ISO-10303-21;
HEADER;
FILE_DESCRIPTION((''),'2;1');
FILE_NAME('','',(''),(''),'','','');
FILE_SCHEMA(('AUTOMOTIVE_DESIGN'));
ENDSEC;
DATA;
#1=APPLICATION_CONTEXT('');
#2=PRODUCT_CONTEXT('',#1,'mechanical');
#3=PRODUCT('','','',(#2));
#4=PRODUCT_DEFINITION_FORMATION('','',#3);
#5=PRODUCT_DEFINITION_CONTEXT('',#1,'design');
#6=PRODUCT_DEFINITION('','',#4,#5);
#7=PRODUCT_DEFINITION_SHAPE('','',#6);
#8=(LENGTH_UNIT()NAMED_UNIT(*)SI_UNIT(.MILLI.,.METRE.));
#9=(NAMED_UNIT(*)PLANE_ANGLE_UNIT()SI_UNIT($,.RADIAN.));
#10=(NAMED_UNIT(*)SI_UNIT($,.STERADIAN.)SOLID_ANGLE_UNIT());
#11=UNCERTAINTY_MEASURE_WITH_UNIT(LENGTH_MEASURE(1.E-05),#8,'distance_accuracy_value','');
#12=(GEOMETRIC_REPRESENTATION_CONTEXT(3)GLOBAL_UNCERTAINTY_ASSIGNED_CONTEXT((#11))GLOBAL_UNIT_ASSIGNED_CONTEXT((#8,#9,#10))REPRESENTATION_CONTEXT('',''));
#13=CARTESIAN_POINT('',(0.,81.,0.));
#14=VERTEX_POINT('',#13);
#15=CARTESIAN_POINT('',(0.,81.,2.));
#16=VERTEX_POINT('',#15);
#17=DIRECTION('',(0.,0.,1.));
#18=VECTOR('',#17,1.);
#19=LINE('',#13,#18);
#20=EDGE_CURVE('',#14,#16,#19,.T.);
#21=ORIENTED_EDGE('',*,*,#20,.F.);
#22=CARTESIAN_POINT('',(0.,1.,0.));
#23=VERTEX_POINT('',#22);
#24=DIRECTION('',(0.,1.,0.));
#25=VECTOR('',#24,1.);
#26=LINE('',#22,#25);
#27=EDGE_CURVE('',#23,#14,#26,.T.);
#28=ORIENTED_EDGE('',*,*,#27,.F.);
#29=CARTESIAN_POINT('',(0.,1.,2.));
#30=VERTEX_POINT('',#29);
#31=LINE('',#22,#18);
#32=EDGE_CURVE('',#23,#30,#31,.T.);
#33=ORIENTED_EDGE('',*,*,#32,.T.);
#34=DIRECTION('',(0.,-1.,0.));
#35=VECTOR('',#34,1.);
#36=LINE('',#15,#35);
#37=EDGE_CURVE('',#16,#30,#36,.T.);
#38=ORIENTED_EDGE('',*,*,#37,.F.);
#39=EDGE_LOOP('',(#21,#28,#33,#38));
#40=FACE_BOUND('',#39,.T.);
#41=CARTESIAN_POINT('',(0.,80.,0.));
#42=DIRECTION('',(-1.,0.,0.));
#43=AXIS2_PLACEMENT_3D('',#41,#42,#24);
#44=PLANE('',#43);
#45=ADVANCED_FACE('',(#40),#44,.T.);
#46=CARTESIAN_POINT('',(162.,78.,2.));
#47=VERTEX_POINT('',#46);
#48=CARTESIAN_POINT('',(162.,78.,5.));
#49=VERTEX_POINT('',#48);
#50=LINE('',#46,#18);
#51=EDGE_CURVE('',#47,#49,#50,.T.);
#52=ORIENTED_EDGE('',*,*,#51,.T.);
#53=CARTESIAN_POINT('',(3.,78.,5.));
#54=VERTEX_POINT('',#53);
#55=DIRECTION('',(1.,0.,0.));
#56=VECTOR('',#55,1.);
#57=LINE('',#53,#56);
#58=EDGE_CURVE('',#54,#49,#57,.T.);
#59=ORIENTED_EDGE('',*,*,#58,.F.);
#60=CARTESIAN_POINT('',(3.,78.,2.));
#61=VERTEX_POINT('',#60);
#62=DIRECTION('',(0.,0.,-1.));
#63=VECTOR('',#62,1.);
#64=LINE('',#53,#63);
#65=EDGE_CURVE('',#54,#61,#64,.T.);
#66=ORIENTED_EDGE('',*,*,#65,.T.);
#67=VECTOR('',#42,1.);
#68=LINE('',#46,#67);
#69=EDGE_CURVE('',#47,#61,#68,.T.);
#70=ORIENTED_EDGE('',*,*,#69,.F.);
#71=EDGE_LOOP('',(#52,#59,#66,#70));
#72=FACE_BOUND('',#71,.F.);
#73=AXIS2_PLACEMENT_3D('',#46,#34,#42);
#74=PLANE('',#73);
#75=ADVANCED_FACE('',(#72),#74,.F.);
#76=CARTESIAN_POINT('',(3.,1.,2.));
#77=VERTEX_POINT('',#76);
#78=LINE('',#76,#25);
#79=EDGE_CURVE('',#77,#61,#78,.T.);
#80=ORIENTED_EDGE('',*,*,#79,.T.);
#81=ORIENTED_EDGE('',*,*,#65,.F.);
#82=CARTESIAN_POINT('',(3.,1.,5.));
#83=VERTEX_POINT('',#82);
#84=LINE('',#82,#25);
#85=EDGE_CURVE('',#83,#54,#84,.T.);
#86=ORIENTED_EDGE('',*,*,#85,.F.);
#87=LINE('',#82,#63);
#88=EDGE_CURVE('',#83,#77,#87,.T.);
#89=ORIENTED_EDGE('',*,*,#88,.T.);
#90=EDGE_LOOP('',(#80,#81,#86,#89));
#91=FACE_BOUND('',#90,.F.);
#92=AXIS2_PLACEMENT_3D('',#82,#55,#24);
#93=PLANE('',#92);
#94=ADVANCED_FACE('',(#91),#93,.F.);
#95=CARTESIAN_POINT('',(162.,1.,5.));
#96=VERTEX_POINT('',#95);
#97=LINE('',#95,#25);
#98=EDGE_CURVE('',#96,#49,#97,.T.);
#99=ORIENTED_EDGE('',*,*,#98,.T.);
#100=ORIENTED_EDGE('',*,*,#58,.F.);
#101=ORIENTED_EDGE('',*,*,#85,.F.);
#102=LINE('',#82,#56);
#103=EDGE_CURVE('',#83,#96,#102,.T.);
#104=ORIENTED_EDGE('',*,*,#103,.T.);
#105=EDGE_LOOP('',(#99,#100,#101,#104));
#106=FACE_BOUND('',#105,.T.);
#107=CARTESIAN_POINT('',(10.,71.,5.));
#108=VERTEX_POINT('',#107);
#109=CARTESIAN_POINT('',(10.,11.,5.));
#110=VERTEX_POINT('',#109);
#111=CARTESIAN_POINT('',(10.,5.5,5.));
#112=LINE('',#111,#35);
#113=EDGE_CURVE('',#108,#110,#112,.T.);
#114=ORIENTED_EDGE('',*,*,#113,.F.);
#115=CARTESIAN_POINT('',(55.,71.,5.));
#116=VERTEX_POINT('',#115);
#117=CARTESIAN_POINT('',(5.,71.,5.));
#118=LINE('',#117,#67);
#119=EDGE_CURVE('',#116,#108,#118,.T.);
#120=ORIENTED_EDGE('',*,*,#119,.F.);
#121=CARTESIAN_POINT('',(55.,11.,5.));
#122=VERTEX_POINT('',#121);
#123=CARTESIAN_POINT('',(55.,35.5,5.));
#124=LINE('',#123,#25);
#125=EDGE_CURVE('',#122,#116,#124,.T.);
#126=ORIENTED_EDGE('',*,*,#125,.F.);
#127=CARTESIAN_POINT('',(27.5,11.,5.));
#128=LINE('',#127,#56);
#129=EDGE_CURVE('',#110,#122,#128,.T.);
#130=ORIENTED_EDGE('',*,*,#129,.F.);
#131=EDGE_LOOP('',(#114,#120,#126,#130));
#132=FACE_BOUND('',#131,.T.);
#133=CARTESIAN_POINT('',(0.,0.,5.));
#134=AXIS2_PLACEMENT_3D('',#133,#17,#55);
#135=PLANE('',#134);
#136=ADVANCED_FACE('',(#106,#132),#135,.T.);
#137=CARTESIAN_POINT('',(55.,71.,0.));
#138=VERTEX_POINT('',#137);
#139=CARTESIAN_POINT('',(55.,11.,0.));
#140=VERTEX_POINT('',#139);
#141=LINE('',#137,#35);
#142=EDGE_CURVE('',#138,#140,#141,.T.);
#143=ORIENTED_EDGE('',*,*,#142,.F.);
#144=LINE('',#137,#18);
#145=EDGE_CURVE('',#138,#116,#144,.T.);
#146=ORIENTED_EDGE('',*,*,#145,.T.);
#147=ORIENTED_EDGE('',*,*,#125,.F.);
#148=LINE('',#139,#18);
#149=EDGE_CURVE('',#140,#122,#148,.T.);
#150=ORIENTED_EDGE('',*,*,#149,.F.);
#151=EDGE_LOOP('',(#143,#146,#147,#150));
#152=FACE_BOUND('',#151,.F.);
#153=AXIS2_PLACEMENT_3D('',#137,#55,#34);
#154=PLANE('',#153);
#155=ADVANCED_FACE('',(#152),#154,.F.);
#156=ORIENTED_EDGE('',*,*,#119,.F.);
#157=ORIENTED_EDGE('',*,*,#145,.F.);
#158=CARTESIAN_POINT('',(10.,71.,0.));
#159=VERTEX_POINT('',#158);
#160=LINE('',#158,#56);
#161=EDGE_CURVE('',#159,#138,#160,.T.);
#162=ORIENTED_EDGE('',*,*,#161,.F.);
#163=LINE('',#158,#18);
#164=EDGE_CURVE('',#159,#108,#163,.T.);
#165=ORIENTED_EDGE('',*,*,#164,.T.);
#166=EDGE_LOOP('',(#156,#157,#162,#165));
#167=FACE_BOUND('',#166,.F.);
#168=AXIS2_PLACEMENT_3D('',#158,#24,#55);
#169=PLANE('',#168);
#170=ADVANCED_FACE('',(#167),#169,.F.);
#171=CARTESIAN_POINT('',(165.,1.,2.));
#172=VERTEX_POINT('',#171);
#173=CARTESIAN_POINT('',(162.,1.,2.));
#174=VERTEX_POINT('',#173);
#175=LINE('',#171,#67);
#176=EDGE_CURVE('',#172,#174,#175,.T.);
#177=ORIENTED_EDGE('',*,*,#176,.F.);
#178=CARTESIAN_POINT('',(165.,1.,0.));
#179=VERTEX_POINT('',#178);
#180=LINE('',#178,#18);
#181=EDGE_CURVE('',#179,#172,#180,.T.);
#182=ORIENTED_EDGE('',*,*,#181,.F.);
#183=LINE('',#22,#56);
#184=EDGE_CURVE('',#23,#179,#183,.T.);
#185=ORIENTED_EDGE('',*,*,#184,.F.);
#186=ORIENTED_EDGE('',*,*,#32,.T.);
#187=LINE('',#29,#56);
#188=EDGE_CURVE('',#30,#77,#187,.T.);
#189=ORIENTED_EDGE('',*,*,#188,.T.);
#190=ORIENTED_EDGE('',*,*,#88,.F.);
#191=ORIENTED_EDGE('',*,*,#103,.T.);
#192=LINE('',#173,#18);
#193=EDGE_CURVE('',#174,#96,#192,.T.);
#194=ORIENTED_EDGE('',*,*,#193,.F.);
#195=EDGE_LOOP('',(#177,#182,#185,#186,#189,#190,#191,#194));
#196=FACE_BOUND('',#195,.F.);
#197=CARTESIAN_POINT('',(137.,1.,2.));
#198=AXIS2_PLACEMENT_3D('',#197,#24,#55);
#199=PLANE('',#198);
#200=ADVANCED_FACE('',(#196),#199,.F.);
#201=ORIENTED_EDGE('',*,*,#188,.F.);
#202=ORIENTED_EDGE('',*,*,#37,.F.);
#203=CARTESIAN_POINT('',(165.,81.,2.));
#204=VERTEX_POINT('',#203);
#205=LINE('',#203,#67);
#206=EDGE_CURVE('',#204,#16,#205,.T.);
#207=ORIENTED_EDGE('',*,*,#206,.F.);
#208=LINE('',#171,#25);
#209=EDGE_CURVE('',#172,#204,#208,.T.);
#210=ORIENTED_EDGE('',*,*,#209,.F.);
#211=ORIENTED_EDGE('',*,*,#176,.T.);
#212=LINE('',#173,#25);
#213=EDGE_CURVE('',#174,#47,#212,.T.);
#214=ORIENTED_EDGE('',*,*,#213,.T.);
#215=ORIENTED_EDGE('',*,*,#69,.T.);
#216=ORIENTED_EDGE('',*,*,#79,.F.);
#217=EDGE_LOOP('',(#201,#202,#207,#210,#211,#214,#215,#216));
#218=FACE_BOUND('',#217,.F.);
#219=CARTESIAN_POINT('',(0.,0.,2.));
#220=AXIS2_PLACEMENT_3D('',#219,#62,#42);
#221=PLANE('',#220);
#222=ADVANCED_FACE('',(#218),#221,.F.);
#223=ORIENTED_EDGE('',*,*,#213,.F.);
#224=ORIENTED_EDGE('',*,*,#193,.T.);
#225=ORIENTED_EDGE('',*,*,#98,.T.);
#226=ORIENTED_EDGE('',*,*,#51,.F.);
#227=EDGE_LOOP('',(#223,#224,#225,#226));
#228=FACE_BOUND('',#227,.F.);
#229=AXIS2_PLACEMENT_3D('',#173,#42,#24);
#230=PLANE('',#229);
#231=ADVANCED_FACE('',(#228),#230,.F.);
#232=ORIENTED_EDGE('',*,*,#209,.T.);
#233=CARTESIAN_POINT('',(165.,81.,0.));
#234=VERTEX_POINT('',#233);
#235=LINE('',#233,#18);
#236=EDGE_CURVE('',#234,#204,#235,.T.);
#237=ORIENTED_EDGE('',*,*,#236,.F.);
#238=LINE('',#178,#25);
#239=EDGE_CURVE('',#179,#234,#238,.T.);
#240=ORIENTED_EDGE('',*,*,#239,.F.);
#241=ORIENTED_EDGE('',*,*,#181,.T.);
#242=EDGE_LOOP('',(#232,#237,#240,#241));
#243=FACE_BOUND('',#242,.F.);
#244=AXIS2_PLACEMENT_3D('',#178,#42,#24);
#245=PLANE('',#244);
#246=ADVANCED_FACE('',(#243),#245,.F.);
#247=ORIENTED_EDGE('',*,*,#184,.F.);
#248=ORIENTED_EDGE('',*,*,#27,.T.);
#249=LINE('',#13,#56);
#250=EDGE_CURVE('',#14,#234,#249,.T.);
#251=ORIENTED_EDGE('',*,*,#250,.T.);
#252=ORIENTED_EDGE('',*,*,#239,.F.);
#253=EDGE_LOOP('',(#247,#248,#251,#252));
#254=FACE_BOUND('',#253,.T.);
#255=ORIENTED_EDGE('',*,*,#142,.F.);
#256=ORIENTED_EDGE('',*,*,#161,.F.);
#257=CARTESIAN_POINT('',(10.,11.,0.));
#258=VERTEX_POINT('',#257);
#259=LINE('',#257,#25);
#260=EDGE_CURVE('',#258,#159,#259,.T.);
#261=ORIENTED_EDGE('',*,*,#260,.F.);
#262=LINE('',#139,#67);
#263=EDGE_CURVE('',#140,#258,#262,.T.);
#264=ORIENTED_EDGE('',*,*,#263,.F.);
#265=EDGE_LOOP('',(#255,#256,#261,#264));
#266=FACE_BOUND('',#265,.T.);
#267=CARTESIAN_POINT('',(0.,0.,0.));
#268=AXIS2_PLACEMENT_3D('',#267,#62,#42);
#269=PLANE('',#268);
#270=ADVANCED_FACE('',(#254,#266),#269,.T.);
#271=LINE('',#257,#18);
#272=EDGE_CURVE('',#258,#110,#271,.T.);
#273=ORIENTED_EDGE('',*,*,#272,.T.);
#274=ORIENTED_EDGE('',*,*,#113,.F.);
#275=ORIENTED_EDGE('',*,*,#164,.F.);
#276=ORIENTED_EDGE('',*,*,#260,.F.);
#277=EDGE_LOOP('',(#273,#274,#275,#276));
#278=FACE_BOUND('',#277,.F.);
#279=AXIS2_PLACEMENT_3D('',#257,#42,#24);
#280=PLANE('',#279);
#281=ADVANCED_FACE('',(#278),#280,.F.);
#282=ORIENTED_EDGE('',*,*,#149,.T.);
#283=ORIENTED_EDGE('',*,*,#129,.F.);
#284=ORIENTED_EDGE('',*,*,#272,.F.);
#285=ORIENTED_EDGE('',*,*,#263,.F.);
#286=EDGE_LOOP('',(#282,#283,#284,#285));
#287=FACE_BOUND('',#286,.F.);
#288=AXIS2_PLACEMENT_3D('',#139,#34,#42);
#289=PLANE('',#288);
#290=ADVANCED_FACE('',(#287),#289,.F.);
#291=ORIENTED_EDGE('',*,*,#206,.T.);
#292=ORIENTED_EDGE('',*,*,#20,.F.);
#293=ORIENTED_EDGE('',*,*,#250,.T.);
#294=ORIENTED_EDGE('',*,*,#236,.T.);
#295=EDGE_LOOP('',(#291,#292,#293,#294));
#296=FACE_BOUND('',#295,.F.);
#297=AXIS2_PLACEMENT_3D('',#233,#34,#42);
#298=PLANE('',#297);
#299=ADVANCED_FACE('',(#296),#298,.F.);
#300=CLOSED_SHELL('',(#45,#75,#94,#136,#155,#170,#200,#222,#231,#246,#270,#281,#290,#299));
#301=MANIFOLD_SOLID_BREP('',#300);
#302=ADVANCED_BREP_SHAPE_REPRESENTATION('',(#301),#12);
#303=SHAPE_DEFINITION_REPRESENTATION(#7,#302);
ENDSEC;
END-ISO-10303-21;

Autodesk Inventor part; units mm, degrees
ref_plane "YZ Plane" through (0, 0, 0) normal (1, 0, 0) x (0, 1, 0)
ref_plane "XZ Plane" through (0, 0, 0) normal (0, 1, 0) x (-1, 0, 0)
ref_plane "XY Plane" through (0, 0, 0) normal (0, 0, 1) x (1, 0, 0)
sketch "Sketch1" plane through (0, 0, 0) normal (0, 0, 1) x (1, 0, 0)
  line L0 (0, 0) -> (140, 0)
  line L1 (140, 0) -> (140, 80)
  line L2 (140, 80) -> (0, 80)
  line L3 (0, 80) -> (0, 0)
  dimension "d0" = 140
  dimension "d1" = 80
extrude "Extrusion1" add sketch "Sketch1" along normal blind 2
sketch "Sketch2" plane through (0, 0, 2) normal (0, 0, 1) x (1, 0, 0)
  line L0 (0, 80) -> (2, 80)
  line L1 (2, 80) -> (2, 78)
  line L2 (2, 78) -> (0, 78)
  line L3 (0, 78) -> (0, 80)
  line L4 (2, 78) -> (138, 78)
  line L5 (138, 78) -> (138, 2)
  line L6 (138, 2) -> (2, 2)
  line L7 (2, 2) -> (2, 78)
  dimension "d4" = 2
  dimension "d5" = 2
  dimension "d6" = 136
  dimension "d7" = 76
extrude "Extrusion2" add sketch "Sketch2" along normal blind 3 contours L4 L5 L6 L7
sketch "Sketch3" plane through (0, 0, 2) normal (0, 0, 1) x (1, 0, 0)
  line L0 (0, 0) -> (140, 0) projected
  line L1 (2, 2) -> (138, 2)
  line L2 (138, 2) -> (138, 0)
  line L3 (138, 0) -> (2, 0)
  line L4 (2, 0) -> (2, 2)
extrude "Extrusion3" add sketch "Sketch3" along normal blind 3
sketch "Sketch4" plane through (0, 0, 0) normal (0, 0, -1) x (-1, 0, 0)
  line L0 (0, 0) -> (-140, 0) projected
  line L1 (0, 80) -> (0, 0) projected
  line L2 (-140, 0) -> (0, 0)
  line L3 (0, 0) -> (0, 1)
  line L4 (0, 1) -> (-140, 1)
  line L5 (-140, 1) -> (-140, 0)
  dimension "d12" = 1
extrude "Extrusion4" cut sketch "Sketch4" against normal blind 7.5
sketch "Sketch5" plane through (0, 0, 0) normal (0, 0, -1) x (-1, 0, 0)
  line L0 (-140, 80) -> (0, 80)
  line L1 (0, 80) -> (0, 81)
  line L2 (0, 81) -> (-140, 81)
  line L3 (-140, 81) -> (-140, 80)
  point P0 (0, 0)
  dimension "d15" = 1
extrude "Extrusion5" add sketch "Sketch5" against normal blind 2
sketch "Sketch6" plane through (0, 0, 5) normal (0, 0, 1) x (1, 0, 0)
  line L0 (138, 78) -> (2, 78) projected
  line L1 (2, 1) -> (3, 1)
  line L2 (3, 1) -> (3, 78)
  line L3 (3, 78) -> (2, 78)
  line L4 (2, 78) -> (2, 1)
  line L5 (138, 1) -> (137, 1)
  line L6 (137, 1) -> (137, 78)
  line L7 (137, 78) -> (138, 78)
  line L8 (138, 78) -> (138, 1)
  point P0 (0, 0)
  dimension "d18" = 1
  dimension "d19" = 1
extrude "Extrusion6" cut sketch "Sketch6" against normal blind 3
sketch "Sketch7" plane through (0, 0, 0) normal (0, 0, -1) x (-1, 0, 0)
  line L0 (-140, 1) -> (0, 1) projected
  line L1 (0, 1) -> (0, 81) projected
  line L2 (0, 81) -> (-140, 81) projected
  line L3 (-140, 1) -> (-140, 81) projected
  line L4 (0, 1) -> (-165, 1)
  line L5 (-165, 1) -> (-165, 81)
  line L6 (-165, 81) -> (0, 81)
  line L7 (0, 81) -> (0, 1)
  point P0 (0, 0)
  dimension "d22" = 165
extrude "Extrusion7" add sketch "Sketch7" against normal blind 2 contours L4 L5 L6 L3
sketch "Sketch9" plane through (0, 0, 2) normal (0, 0, 1) x (1, 0, 0)
  line L0 (137, 1) -> (162, 1)
  line L1 (162, 1) -> (162, 78)
  line L2 (162, 78) -> (137, 78)
  line L3 (137, 78) -> (137, 1)
  point P0 (0, 0)
  dimension "d25" = 25
extrude "Extrusion8" add sketch "Sketch9" along normal blind 3
sketch "Sketch10" plane through (0, 0, 0) normal (0, 0, -1) x (-1, 0, 0)
  line L0 (0, 1) -> (-10, 1)
  line L1 (-10, 1) -> (-10, 11)
  line L2 (-10, 11) -> (0, 11)
  line L3 (0, 11) -> (0, 1)
  line L4 (0, 81) -> (-10, 81)
  line L5 (-10, 81) -> (-10, 71)
  line L6 (-10, 71) -> (0, 71)
  line L7 (0, 71) -> (0, 81)
  line L8 (-10, 71) -> (-55, 71)
  line L9 (-55, 71) -> (-55, 11)
  line L10 (-55, 11) -> (-10, 11)
  line L11 (-10, 11) -> (-10, 71)
  point P0 (0, 0)
  dimension "d28" = 10
  dimension "d29" = 10
  dimension "d30" = 10
  dimension "d31" = 10
  dimension "d32" = 45
extrude "Extrusion9" cut sketch "Sketch10" against normal blind 10.25 contours L10 L9 L8 L11
properties part number "Receiver Case top"
